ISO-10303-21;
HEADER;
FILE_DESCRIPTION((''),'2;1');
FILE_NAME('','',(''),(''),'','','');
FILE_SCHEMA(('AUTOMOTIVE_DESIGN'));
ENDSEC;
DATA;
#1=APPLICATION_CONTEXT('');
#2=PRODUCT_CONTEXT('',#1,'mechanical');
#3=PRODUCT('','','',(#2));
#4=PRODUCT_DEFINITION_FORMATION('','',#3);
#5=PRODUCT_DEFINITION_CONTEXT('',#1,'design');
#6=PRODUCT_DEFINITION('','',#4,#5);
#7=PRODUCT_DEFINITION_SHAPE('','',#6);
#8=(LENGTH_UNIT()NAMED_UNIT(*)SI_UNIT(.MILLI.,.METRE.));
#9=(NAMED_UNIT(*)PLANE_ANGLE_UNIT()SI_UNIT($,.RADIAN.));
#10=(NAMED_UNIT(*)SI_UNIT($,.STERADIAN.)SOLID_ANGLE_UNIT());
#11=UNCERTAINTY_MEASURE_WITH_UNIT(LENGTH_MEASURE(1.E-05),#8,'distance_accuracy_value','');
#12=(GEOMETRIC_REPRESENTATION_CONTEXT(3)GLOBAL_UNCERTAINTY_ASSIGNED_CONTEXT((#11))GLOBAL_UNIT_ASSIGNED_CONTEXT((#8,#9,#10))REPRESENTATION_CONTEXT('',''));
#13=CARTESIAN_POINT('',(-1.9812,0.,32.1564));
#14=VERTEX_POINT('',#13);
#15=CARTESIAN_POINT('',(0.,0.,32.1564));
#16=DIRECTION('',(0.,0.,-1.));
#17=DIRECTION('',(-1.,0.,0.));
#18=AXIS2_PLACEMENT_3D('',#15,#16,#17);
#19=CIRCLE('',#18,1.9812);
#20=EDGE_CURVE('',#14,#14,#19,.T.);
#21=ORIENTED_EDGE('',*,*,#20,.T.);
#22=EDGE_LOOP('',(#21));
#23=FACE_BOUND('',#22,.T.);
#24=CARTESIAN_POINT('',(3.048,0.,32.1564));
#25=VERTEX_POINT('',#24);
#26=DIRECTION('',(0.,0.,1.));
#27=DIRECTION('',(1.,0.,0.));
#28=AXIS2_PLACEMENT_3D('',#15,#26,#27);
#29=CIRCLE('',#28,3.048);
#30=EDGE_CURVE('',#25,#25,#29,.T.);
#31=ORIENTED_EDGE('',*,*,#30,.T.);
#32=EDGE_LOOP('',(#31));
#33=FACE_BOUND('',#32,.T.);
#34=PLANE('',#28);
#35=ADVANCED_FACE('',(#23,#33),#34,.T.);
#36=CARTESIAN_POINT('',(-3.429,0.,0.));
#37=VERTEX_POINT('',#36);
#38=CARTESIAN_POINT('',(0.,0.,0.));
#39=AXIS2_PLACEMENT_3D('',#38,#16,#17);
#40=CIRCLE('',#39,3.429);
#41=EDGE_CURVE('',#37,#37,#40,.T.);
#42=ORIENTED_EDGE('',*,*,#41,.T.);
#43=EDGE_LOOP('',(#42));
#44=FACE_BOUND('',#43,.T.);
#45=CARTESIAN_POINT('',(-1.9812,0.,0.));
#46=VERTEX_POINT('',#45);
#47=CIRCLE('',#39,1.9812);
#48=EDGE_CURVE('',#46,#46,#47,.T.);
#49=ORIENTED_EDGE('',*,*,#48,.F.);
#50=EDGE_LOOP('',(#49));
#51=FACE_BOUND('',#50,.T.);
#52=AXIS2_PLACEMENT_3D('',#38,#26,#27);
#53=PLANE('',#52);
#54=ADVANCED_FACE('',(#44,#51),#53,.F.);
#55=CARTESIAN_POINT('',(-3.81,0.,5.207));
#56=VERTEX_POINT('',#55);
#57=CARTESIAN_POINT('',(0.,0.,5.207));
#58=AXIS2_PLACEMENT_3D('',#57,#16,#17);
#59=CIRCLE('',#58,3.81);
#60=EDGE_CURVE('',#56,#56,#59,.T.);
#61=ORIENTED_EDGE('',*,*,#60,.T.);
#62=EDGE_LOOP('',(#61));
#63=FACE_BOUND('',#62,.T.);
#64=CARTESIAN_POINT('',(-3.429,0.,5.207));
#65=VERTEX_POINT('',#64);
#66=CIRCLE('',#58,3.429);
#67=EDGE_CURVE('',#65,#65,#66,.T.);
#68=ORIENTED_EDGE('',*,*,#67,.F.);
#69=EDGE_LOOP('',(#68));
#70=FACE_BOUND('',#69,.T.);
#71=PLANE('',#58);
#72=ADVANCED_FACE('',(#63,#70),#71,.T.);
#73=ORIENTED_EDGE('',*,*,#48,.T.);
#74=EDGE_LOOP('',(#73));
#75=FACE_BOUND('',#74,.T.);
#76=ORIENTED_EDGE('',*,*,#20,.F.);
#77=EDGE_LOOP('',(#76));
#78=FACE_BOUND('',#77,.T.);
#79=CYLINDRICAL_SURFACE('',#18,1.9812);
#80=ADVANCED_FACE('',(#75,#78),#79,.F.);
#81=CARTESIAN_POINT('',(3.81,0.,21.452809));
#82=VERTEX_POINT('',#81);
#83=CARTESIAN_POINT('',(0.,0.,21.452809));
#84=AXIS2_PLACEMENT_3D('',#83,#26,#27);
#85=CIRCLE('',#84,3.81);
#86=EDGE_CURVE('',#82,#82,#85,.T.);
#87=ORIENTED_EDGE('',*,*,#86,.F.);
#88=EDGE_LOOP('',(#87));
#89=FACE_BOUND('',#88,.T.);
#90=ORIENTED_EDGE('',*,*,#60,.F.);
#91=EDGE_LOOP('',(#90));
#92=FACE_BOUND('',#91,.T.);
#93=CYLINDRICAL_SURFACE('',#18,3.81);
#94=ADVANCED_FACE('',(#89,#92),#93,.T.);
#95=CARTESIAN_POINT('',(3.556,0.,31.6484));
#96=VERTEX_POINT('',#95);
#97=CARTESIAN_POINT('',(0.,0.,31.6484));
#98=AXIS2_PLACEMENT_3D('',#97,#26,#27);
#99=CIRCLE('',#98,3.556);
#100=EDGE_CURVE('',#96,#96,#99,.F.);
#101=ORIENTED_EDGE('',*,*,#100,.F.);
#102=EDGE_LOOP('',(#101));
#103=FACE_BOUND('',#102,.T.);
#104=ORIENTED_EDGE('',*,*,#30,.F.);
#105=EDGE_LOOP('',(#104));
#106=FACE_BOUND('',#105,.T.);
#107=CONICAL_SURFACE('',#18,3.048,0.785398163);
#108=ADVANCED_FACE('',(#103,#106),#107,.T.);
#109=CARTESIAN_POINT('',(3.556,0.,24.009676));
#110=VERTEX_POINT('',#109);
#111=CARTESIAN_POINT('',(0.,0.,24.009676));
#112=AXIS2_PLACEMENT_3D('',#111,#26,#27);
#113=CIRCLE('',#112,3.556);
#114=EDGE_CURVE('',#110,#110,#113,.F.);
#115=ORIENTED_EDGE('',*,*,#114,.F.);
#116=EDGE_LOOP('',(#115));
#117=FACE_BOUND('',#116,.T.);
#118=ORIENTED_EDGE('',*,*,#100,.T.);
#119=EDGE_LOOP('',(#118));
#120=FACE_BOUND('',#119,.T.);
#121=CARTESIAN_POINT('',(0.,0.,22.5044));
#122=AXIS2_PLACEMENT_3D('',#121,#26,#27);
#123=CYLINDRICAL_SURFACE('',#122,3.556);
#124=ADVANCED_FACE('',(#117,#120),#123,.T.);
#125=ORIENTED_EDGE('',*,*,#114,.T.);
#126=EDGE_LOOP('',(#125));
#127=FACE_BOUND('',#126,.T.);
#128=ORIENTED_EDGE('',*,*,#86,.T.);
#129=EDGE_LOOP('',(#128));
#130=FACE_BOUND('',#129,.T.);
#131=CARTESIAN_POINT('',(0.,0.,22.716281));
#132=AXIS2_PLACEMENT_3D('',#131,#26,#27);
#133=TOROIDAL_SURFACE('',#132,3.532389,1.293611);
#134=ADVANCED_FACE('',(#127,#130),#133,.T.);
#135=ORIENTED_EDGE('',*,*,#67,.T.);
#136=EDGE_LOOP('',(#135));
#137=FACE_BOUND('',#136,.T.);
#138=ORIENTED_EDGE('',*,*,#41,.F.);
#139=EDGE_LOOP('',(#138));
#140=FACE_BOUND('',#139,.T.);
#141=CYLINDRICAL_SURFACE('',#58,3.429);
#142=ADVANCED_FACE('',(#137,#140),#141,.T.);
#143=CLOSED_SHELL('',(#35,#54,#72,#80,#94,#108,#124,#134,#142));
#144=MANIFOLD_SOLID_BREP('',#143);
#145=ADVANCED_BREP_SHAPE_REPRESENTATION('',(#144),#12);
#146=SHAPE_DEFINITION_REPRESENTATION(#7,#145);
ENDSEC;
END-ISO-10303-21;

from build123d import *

# Parameters (mm, degrees)
SKETCH1_R           = 3.81
BOSS_EXTRUDE1_DEPTH = 32.1564
SKETCH2_R           = 1.9812
CUT_EXTRUDE1_DEPTH  = 33.604696916
SKETCH3_R           = 3.81
SKETCH3_R_2         = 3.429
CUT_EXTRUDE2_DEPTH  = 5.207
CUT_EXTRUDE3_START  = -9.652
SKETCH4_R           = 3.81
SKETCH4_R_2         = 3.556
CUT_EXTRUDE3_DEPTH  = 9.652
CHAMFER1_SIZE       = 0.508


with BuildPart() as part:
    # Sketch1 → Boss-Extrude1 (new body)
    with BuildSketch(Plane.XY):
        Circle(SKETCH1_R)
    extrude(amount=BOSS_EXTRUDE1_DEPTH)

    # Sketch2 → Cut-Extrude1 (cut, through all)
    with BuildSketch(Plane(origin=(0, 0, 0), x_dir=(-1, 0, 0), z_dir=(0, 0, -1))):
        Circle(SKETCH2_R)
    extrude(amount=-CUT_EXTRUDE1_DEPTH, mode=Mode.SUBTRACT)

    # Sketch3 → Cut-Extrude2 (cut)
    with BuildSketch(Plane(origin=(0, 0, 0), x_dir=(-1, 0, 0), z_dir=(0, 0, -1))):
        Circle(SKETCH3_R)
        Circle(SKETCH3_R_2, mode=Mode.SUBTRACT)
    extrude(amount=-CUT_EXTRUDE2_DEPTH, mode=Mode.SUBTRACT)

    # Sketch4 → Cut-Extrude3 (cut)
    with BuildSketch(Plane.XY.offset(32.1564).offset(CUT_EXTRUDE3_START)):
        with Locations(Location((0, 0, 0), (0, 0, 180))):
            Circle(SKETCH4_R)
        Circle(SKETCH4_R_2, mode=Mode.SUBTRACT)
    extrude(amount=CUT_EXTRUDE3_DEPTH, mode=Mode.SUBTRACT)

    # Sketch5 → Revolve1 (revolve)
    with BuildSketch(Plane(origin=(0, 0, 0), x_dir=(1, 0, 0), z_dir=(0, 1, 0))):
        with BuildLine():
            Line((3.556, -24.009676403), (3.269595119, -21.452809))
            Line((3.269595119, -21.452809), (3.81, -21.452809))
            ThreePointArc((3.81, -21.452809), (4.81966386, -22.844159242), (3.556, -24.009676403))
        make_face()
    revolve(axis=Axis((0, 0, 32.1564), (0, 0, -1)))

    # Chamfer1
    chamfer1_edges = [part.edges().sort_by_distance(p)[0] for p in [
        (-3.556, 0, 32.1564),
    ]]
    chamfer(chamfer1_edges, length=CHAMFER1_SIZE)


solid = part.part
